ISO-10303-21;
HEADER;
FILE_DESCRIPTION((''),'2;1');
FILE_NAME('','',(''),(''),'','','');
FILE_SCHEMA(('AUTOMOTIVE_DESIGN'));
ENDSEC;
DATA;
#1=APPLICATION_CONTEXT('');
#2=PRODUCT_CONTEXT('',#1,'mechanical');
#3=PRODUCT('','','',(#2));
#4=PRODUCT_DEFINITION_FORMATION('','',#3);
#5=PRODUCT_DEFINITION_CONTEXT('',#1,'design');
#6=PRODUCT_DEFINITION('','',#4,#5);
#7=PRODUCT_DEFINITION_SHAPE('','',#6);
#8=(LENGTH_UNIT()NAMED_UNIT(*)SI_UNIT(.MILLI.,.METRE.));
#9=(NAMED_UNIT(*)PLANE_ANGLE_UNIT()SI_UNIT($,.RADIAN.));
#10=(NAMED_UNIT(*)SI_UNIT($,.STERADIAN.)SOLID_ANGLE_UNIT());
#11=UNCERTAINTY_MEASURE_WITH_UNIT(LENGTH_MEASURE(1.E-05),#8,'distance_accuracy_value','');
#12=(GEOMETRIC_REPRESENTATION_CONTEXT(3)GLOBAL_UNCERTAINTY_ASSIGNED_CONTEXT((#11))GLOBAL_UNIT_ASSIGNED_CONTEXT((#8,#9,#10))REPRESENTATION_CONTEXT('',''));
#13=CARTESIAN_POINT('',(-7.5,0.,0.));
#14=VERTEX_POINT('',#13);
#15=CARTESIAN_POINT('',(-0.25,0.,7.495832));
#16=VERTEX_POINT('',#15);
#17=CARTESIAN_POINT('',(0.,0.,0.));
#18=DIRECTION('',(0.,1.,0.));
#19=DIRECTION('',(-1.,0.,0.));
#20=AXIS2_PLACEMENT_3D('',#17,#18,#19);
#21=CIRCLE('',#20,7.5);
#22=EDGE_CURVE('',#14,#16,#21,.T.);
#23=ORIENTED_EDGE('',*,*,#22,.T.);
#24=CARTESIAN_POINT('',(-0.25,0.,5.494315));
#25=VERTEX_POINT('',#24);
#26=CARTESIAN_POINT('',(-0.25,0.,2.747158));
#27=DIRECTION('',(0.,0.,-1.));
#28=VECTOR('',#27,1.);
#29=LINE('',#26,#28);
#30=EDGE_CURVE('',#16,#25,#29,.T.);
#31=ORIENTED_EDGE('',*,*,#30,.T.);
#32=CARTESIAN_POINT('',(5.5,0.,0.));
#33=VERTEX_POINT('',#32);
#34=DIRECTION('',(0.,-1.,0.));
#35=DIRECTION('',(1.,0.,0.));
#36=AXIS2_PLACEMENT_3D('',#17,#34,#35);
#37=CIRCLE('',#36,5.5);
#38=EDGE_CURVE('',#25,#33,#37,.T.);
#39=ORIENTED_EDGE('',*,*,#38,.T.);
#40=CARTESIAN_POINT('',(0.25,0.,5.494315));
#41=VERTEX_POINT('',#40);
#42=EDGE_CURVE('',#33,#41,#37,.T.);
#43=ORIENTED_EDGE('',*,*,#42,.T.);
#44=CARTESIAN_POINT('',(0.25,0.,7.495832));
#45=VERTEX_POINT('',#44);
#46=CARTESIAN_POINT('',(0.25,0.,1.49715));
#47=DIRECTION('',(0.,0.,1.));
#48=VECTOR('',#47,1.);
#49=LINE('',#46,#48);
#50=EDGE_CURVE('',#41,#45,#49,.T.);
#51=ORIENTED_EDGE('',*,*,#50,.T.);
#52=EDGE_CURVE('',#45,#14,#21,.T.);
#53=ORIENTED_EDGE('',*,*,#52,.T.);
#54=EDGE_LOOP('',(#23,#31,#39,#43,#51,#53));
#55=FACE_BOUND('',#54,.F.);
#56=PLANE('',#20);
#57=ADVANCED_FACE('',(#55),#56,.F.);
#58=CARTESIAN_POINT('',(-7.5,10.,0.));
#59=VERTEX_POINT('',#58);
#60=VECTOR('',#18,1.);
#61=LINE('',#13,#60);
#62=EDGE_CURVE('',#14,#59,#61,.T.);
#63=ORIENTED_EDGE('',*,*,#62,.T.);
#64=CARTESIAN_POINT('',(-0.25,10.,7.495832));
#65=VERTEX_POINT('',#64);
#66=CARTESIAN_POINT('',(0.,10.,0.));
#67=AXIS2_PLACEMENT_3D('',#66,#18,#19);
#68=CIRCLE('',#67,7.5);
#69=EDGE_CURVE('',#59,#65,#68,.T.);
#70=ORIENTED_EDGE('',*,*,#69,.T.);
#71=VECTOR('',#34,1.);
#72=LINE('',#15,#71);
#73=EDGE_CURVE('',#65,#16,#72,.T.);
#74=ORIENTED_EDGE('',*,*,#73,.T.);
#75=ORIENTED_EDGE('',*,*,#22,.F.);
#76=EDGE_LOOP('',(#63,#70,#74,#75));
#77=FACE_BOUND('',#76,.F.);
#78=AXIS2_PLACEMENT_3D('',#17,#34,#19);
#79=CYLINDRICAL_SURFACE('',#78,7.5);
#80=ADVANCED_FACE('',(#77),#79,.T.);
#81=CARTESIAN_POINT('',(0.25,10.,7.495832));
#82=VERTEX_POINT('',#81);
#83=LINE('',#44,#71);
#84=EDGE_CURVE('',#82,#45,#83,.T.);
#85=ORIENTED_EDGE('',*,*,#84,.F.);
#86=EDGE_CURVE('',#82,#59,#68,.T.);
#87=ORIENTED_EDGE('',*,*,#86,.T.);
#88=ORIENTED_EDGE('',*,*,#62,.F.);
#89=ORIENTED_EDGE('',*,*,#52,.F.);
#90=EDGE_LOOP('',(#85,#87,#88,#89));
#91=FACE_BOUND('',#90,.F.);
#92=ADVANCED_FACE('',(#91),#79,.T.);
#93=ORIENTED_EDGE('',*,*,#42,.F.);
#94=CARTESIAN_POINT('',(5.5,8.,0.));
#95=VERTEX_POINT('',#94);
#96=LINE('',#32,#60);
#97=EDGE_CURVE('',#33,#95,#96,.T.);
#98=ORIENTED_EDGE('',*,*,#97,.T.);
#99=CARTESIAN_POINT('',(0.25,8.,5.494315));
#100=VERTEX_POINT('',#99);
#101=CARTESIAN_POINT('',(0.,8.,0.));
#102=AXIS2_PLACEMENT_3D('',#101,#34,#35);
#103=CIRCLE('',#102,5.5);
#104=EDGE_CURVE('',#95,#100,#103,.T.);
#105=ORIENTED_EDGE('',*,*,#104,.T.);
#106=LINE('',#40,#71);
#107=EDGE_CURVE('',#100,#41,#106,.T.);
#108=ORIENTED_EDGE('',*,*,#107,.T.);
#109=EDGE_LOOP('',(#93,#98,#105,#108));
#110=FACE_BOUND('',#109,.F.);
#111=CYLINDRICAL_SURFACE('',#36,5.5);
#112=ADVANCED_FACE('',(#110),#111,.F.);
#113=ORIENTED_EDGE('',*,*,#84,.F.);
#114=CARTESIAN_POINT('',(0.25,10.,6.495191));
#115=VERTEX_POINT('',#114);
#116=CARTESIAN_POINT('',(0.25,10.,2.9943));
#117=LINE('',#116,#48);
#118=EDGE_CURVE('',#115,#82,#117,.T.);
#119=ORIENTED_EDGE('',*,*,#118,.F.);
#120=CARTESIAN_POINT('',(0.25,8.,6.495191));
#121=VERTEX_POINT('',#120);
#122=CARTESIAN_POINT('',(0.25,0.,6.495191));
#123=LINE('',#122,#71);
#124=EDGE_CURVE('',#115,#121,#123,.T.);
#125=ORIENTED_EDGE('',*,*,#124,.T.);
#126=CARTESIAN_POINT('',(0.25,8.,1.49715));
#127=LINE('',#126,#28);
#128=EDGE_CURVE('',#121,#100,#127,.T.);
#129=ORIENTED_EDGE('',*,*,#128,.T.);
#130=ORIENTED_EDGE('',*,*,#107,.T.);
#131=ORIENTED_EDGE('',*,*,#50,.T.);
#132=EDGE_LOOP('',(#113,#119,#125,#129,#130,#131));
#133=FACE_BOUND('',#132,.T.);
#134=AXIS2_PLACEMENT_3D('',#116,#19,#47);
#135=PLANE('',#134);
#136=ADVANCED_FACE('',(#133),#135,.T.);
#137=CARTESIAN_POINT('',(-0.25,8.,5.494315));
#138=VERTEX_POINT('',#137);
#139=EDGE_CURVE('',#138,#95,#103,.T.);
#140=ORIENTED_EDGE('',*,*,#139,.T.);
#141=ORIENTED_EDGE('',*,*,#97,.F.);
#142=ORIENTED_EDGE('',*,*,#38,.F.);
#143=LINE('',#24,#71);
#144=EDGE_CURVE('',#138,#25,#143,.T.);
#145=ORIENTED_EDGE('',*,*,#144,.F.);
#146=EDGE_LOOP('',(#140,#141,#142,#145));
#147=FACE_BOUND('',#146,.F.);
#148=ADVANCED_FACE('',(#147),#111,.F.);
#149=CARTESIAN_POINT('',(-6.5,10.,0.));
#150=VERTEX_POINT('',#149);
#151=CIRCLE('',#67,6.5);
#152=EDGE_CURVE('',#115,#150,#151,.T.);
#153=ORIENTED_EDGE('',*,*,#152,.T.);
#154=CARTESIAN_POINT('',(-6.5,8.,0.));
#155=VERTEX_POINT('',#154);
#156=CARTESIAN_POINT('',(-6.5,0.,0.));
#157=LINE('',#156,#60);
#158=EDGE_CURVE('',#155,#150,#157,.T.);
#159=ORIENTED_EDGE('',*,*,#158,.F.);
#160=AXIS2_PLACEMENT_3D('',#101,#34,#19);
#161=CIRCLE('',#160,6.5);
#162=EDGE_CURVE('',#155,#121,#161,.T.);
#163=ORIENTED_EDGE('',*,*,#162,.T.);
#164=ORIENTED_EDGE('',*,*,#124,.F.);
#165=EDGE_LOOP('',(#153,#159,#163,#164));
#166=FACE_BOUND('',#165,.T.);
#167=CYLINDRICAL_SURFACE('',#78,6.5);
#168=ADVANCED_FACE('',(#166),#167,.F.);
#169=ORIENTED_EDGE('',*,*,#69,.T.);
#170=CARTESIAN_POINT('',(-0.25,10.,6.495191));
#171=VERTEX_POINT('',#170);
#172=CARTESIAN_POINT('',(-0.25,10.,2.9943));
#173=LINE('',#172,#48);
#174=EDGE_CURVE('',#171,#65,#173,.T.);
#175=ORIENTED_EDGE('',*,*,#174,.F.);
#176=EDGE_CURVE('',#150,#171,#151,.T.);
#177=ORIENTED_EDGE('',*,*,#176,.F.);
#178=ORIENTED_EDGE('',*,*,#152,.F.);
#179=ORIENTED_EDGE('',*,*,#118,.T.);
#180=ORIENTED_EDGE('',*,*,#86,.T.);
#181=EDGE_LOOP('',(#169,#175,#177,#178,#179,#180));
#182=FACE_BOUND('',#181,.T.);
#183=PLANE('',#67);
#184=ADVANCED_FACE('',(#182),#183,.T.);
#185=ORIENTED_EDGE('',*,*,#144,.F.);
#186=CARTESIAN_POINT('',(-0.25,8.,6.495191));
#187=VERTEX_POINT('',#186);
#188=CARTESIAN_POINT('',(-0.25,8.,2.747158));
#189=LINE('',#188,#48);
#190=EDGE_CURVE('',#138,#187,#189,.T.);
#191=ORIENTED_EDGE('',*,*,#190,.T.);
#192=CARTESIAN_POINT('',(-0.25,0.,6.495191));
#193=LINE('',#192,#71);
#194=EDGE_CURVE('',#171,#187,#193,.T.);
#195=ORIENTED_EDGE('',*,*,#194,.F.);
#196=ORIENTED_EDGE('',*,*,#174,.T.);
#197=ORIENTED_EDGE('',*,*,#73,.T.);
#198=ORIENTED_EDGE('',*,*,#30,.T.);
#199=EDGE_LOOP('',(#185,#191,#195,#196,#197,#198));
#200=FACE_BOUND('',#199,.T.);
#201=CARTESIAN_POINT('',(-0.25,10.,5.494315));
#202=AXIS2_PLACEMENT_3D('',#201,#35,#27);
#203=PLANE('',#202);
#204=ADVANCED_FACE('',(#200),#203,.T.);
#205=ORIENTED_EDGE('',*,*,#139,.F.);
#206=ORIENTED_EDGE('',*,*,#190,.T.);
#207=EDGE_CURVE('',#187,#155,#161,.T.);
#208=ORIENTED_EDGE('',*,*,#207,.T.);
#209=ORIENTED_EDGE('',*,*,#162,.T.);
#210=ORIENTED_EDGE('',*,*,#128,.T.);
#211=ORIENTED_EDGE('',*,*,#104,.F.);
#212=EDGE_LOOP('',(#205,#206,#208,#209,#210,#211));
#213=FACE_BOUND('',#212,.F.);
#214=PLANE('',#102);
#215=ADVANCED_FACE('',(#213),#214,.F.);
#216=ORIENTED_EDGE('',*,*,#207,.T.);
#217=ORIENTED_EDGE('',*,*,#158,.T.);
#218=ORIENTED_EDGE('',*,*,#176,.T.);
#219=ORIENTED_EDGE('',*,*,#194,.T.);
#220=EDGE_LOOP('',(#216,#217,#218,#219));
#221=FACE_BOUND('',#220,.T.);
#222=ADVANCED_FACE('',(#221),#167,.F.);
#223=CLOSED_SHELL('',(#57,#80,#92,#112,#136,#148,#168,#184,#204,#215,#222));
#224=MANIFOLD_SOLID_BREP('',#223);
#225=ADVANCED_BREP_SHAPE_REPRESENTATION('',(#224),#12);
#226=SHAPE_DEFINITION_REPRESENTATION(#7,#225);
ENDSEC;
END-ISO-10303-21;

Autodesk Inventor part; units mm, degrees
ref_plane "YZ Plane" through (0, 0, 0) normal (1, 0, 0) x (0, 1, 0)
ref_plane "XZ Plane" through (0, 0, 0) normal (0, 1, 0) x (-1, 0, 0)
ref_plane "XY Plane" through (0, 0, 0) normal (0, 0, 1) x (1, 0, 0)
sketch "スケッチ1" plane through (0, 0, 0) normal (0, 1, 0) x (-1, 0, 0)
  circle A0 centre (0, 0) radius 6.5
  circle A1 centre (0, 0) radius 7.5
  dimension "d0" = 13
  dimension "d11" = 1
extrude "押し出し1" add sketch "スケッチ1" along normal blind 10
sketch "スケッチ2" plane through (0, 0, 0) normal (0, -1, 0) x (1, 0, 0)
  circle A0 centre (0, 0) radius 5.5
  circle A1 centre (0, 0) radius 6.5 projected
  dimension "d12" = 1
extrude "押し出し2" add sketch "スケッチ2" against normal blind 8
sketch "スケッチ3" plane through (0, 10, 0) normal (0, 1, 0) x (1, 0, 0)
  line L0 (0.25, -2.9943) -> (0.25, -7.9943)
  line L1 (0.25, -7.9943) -> (-0.25, -7.9943)
  line L2 (-0.25, -7.9943) -> (-0.25, -2.9943)
  line L3 (-0.25, -2.9943) -> (0, -2.9943)
  line L4 (0, -2.9943) -> (0.25, -2.9943)
  circle A0 centre (0, 0) radius 5.5 projected
  point P0 (0.25, -5.4943)
  dimension "d7" = 0.5
  dimension "d10" = 5
extrude "押し出し3" cut sketch "スケッチ3" against normal through all contours L0 A0 L2 L3 L4 | L0 L1 L2 A0 picked at (-0.1111, -3.8293)
properties part number "zig64"
